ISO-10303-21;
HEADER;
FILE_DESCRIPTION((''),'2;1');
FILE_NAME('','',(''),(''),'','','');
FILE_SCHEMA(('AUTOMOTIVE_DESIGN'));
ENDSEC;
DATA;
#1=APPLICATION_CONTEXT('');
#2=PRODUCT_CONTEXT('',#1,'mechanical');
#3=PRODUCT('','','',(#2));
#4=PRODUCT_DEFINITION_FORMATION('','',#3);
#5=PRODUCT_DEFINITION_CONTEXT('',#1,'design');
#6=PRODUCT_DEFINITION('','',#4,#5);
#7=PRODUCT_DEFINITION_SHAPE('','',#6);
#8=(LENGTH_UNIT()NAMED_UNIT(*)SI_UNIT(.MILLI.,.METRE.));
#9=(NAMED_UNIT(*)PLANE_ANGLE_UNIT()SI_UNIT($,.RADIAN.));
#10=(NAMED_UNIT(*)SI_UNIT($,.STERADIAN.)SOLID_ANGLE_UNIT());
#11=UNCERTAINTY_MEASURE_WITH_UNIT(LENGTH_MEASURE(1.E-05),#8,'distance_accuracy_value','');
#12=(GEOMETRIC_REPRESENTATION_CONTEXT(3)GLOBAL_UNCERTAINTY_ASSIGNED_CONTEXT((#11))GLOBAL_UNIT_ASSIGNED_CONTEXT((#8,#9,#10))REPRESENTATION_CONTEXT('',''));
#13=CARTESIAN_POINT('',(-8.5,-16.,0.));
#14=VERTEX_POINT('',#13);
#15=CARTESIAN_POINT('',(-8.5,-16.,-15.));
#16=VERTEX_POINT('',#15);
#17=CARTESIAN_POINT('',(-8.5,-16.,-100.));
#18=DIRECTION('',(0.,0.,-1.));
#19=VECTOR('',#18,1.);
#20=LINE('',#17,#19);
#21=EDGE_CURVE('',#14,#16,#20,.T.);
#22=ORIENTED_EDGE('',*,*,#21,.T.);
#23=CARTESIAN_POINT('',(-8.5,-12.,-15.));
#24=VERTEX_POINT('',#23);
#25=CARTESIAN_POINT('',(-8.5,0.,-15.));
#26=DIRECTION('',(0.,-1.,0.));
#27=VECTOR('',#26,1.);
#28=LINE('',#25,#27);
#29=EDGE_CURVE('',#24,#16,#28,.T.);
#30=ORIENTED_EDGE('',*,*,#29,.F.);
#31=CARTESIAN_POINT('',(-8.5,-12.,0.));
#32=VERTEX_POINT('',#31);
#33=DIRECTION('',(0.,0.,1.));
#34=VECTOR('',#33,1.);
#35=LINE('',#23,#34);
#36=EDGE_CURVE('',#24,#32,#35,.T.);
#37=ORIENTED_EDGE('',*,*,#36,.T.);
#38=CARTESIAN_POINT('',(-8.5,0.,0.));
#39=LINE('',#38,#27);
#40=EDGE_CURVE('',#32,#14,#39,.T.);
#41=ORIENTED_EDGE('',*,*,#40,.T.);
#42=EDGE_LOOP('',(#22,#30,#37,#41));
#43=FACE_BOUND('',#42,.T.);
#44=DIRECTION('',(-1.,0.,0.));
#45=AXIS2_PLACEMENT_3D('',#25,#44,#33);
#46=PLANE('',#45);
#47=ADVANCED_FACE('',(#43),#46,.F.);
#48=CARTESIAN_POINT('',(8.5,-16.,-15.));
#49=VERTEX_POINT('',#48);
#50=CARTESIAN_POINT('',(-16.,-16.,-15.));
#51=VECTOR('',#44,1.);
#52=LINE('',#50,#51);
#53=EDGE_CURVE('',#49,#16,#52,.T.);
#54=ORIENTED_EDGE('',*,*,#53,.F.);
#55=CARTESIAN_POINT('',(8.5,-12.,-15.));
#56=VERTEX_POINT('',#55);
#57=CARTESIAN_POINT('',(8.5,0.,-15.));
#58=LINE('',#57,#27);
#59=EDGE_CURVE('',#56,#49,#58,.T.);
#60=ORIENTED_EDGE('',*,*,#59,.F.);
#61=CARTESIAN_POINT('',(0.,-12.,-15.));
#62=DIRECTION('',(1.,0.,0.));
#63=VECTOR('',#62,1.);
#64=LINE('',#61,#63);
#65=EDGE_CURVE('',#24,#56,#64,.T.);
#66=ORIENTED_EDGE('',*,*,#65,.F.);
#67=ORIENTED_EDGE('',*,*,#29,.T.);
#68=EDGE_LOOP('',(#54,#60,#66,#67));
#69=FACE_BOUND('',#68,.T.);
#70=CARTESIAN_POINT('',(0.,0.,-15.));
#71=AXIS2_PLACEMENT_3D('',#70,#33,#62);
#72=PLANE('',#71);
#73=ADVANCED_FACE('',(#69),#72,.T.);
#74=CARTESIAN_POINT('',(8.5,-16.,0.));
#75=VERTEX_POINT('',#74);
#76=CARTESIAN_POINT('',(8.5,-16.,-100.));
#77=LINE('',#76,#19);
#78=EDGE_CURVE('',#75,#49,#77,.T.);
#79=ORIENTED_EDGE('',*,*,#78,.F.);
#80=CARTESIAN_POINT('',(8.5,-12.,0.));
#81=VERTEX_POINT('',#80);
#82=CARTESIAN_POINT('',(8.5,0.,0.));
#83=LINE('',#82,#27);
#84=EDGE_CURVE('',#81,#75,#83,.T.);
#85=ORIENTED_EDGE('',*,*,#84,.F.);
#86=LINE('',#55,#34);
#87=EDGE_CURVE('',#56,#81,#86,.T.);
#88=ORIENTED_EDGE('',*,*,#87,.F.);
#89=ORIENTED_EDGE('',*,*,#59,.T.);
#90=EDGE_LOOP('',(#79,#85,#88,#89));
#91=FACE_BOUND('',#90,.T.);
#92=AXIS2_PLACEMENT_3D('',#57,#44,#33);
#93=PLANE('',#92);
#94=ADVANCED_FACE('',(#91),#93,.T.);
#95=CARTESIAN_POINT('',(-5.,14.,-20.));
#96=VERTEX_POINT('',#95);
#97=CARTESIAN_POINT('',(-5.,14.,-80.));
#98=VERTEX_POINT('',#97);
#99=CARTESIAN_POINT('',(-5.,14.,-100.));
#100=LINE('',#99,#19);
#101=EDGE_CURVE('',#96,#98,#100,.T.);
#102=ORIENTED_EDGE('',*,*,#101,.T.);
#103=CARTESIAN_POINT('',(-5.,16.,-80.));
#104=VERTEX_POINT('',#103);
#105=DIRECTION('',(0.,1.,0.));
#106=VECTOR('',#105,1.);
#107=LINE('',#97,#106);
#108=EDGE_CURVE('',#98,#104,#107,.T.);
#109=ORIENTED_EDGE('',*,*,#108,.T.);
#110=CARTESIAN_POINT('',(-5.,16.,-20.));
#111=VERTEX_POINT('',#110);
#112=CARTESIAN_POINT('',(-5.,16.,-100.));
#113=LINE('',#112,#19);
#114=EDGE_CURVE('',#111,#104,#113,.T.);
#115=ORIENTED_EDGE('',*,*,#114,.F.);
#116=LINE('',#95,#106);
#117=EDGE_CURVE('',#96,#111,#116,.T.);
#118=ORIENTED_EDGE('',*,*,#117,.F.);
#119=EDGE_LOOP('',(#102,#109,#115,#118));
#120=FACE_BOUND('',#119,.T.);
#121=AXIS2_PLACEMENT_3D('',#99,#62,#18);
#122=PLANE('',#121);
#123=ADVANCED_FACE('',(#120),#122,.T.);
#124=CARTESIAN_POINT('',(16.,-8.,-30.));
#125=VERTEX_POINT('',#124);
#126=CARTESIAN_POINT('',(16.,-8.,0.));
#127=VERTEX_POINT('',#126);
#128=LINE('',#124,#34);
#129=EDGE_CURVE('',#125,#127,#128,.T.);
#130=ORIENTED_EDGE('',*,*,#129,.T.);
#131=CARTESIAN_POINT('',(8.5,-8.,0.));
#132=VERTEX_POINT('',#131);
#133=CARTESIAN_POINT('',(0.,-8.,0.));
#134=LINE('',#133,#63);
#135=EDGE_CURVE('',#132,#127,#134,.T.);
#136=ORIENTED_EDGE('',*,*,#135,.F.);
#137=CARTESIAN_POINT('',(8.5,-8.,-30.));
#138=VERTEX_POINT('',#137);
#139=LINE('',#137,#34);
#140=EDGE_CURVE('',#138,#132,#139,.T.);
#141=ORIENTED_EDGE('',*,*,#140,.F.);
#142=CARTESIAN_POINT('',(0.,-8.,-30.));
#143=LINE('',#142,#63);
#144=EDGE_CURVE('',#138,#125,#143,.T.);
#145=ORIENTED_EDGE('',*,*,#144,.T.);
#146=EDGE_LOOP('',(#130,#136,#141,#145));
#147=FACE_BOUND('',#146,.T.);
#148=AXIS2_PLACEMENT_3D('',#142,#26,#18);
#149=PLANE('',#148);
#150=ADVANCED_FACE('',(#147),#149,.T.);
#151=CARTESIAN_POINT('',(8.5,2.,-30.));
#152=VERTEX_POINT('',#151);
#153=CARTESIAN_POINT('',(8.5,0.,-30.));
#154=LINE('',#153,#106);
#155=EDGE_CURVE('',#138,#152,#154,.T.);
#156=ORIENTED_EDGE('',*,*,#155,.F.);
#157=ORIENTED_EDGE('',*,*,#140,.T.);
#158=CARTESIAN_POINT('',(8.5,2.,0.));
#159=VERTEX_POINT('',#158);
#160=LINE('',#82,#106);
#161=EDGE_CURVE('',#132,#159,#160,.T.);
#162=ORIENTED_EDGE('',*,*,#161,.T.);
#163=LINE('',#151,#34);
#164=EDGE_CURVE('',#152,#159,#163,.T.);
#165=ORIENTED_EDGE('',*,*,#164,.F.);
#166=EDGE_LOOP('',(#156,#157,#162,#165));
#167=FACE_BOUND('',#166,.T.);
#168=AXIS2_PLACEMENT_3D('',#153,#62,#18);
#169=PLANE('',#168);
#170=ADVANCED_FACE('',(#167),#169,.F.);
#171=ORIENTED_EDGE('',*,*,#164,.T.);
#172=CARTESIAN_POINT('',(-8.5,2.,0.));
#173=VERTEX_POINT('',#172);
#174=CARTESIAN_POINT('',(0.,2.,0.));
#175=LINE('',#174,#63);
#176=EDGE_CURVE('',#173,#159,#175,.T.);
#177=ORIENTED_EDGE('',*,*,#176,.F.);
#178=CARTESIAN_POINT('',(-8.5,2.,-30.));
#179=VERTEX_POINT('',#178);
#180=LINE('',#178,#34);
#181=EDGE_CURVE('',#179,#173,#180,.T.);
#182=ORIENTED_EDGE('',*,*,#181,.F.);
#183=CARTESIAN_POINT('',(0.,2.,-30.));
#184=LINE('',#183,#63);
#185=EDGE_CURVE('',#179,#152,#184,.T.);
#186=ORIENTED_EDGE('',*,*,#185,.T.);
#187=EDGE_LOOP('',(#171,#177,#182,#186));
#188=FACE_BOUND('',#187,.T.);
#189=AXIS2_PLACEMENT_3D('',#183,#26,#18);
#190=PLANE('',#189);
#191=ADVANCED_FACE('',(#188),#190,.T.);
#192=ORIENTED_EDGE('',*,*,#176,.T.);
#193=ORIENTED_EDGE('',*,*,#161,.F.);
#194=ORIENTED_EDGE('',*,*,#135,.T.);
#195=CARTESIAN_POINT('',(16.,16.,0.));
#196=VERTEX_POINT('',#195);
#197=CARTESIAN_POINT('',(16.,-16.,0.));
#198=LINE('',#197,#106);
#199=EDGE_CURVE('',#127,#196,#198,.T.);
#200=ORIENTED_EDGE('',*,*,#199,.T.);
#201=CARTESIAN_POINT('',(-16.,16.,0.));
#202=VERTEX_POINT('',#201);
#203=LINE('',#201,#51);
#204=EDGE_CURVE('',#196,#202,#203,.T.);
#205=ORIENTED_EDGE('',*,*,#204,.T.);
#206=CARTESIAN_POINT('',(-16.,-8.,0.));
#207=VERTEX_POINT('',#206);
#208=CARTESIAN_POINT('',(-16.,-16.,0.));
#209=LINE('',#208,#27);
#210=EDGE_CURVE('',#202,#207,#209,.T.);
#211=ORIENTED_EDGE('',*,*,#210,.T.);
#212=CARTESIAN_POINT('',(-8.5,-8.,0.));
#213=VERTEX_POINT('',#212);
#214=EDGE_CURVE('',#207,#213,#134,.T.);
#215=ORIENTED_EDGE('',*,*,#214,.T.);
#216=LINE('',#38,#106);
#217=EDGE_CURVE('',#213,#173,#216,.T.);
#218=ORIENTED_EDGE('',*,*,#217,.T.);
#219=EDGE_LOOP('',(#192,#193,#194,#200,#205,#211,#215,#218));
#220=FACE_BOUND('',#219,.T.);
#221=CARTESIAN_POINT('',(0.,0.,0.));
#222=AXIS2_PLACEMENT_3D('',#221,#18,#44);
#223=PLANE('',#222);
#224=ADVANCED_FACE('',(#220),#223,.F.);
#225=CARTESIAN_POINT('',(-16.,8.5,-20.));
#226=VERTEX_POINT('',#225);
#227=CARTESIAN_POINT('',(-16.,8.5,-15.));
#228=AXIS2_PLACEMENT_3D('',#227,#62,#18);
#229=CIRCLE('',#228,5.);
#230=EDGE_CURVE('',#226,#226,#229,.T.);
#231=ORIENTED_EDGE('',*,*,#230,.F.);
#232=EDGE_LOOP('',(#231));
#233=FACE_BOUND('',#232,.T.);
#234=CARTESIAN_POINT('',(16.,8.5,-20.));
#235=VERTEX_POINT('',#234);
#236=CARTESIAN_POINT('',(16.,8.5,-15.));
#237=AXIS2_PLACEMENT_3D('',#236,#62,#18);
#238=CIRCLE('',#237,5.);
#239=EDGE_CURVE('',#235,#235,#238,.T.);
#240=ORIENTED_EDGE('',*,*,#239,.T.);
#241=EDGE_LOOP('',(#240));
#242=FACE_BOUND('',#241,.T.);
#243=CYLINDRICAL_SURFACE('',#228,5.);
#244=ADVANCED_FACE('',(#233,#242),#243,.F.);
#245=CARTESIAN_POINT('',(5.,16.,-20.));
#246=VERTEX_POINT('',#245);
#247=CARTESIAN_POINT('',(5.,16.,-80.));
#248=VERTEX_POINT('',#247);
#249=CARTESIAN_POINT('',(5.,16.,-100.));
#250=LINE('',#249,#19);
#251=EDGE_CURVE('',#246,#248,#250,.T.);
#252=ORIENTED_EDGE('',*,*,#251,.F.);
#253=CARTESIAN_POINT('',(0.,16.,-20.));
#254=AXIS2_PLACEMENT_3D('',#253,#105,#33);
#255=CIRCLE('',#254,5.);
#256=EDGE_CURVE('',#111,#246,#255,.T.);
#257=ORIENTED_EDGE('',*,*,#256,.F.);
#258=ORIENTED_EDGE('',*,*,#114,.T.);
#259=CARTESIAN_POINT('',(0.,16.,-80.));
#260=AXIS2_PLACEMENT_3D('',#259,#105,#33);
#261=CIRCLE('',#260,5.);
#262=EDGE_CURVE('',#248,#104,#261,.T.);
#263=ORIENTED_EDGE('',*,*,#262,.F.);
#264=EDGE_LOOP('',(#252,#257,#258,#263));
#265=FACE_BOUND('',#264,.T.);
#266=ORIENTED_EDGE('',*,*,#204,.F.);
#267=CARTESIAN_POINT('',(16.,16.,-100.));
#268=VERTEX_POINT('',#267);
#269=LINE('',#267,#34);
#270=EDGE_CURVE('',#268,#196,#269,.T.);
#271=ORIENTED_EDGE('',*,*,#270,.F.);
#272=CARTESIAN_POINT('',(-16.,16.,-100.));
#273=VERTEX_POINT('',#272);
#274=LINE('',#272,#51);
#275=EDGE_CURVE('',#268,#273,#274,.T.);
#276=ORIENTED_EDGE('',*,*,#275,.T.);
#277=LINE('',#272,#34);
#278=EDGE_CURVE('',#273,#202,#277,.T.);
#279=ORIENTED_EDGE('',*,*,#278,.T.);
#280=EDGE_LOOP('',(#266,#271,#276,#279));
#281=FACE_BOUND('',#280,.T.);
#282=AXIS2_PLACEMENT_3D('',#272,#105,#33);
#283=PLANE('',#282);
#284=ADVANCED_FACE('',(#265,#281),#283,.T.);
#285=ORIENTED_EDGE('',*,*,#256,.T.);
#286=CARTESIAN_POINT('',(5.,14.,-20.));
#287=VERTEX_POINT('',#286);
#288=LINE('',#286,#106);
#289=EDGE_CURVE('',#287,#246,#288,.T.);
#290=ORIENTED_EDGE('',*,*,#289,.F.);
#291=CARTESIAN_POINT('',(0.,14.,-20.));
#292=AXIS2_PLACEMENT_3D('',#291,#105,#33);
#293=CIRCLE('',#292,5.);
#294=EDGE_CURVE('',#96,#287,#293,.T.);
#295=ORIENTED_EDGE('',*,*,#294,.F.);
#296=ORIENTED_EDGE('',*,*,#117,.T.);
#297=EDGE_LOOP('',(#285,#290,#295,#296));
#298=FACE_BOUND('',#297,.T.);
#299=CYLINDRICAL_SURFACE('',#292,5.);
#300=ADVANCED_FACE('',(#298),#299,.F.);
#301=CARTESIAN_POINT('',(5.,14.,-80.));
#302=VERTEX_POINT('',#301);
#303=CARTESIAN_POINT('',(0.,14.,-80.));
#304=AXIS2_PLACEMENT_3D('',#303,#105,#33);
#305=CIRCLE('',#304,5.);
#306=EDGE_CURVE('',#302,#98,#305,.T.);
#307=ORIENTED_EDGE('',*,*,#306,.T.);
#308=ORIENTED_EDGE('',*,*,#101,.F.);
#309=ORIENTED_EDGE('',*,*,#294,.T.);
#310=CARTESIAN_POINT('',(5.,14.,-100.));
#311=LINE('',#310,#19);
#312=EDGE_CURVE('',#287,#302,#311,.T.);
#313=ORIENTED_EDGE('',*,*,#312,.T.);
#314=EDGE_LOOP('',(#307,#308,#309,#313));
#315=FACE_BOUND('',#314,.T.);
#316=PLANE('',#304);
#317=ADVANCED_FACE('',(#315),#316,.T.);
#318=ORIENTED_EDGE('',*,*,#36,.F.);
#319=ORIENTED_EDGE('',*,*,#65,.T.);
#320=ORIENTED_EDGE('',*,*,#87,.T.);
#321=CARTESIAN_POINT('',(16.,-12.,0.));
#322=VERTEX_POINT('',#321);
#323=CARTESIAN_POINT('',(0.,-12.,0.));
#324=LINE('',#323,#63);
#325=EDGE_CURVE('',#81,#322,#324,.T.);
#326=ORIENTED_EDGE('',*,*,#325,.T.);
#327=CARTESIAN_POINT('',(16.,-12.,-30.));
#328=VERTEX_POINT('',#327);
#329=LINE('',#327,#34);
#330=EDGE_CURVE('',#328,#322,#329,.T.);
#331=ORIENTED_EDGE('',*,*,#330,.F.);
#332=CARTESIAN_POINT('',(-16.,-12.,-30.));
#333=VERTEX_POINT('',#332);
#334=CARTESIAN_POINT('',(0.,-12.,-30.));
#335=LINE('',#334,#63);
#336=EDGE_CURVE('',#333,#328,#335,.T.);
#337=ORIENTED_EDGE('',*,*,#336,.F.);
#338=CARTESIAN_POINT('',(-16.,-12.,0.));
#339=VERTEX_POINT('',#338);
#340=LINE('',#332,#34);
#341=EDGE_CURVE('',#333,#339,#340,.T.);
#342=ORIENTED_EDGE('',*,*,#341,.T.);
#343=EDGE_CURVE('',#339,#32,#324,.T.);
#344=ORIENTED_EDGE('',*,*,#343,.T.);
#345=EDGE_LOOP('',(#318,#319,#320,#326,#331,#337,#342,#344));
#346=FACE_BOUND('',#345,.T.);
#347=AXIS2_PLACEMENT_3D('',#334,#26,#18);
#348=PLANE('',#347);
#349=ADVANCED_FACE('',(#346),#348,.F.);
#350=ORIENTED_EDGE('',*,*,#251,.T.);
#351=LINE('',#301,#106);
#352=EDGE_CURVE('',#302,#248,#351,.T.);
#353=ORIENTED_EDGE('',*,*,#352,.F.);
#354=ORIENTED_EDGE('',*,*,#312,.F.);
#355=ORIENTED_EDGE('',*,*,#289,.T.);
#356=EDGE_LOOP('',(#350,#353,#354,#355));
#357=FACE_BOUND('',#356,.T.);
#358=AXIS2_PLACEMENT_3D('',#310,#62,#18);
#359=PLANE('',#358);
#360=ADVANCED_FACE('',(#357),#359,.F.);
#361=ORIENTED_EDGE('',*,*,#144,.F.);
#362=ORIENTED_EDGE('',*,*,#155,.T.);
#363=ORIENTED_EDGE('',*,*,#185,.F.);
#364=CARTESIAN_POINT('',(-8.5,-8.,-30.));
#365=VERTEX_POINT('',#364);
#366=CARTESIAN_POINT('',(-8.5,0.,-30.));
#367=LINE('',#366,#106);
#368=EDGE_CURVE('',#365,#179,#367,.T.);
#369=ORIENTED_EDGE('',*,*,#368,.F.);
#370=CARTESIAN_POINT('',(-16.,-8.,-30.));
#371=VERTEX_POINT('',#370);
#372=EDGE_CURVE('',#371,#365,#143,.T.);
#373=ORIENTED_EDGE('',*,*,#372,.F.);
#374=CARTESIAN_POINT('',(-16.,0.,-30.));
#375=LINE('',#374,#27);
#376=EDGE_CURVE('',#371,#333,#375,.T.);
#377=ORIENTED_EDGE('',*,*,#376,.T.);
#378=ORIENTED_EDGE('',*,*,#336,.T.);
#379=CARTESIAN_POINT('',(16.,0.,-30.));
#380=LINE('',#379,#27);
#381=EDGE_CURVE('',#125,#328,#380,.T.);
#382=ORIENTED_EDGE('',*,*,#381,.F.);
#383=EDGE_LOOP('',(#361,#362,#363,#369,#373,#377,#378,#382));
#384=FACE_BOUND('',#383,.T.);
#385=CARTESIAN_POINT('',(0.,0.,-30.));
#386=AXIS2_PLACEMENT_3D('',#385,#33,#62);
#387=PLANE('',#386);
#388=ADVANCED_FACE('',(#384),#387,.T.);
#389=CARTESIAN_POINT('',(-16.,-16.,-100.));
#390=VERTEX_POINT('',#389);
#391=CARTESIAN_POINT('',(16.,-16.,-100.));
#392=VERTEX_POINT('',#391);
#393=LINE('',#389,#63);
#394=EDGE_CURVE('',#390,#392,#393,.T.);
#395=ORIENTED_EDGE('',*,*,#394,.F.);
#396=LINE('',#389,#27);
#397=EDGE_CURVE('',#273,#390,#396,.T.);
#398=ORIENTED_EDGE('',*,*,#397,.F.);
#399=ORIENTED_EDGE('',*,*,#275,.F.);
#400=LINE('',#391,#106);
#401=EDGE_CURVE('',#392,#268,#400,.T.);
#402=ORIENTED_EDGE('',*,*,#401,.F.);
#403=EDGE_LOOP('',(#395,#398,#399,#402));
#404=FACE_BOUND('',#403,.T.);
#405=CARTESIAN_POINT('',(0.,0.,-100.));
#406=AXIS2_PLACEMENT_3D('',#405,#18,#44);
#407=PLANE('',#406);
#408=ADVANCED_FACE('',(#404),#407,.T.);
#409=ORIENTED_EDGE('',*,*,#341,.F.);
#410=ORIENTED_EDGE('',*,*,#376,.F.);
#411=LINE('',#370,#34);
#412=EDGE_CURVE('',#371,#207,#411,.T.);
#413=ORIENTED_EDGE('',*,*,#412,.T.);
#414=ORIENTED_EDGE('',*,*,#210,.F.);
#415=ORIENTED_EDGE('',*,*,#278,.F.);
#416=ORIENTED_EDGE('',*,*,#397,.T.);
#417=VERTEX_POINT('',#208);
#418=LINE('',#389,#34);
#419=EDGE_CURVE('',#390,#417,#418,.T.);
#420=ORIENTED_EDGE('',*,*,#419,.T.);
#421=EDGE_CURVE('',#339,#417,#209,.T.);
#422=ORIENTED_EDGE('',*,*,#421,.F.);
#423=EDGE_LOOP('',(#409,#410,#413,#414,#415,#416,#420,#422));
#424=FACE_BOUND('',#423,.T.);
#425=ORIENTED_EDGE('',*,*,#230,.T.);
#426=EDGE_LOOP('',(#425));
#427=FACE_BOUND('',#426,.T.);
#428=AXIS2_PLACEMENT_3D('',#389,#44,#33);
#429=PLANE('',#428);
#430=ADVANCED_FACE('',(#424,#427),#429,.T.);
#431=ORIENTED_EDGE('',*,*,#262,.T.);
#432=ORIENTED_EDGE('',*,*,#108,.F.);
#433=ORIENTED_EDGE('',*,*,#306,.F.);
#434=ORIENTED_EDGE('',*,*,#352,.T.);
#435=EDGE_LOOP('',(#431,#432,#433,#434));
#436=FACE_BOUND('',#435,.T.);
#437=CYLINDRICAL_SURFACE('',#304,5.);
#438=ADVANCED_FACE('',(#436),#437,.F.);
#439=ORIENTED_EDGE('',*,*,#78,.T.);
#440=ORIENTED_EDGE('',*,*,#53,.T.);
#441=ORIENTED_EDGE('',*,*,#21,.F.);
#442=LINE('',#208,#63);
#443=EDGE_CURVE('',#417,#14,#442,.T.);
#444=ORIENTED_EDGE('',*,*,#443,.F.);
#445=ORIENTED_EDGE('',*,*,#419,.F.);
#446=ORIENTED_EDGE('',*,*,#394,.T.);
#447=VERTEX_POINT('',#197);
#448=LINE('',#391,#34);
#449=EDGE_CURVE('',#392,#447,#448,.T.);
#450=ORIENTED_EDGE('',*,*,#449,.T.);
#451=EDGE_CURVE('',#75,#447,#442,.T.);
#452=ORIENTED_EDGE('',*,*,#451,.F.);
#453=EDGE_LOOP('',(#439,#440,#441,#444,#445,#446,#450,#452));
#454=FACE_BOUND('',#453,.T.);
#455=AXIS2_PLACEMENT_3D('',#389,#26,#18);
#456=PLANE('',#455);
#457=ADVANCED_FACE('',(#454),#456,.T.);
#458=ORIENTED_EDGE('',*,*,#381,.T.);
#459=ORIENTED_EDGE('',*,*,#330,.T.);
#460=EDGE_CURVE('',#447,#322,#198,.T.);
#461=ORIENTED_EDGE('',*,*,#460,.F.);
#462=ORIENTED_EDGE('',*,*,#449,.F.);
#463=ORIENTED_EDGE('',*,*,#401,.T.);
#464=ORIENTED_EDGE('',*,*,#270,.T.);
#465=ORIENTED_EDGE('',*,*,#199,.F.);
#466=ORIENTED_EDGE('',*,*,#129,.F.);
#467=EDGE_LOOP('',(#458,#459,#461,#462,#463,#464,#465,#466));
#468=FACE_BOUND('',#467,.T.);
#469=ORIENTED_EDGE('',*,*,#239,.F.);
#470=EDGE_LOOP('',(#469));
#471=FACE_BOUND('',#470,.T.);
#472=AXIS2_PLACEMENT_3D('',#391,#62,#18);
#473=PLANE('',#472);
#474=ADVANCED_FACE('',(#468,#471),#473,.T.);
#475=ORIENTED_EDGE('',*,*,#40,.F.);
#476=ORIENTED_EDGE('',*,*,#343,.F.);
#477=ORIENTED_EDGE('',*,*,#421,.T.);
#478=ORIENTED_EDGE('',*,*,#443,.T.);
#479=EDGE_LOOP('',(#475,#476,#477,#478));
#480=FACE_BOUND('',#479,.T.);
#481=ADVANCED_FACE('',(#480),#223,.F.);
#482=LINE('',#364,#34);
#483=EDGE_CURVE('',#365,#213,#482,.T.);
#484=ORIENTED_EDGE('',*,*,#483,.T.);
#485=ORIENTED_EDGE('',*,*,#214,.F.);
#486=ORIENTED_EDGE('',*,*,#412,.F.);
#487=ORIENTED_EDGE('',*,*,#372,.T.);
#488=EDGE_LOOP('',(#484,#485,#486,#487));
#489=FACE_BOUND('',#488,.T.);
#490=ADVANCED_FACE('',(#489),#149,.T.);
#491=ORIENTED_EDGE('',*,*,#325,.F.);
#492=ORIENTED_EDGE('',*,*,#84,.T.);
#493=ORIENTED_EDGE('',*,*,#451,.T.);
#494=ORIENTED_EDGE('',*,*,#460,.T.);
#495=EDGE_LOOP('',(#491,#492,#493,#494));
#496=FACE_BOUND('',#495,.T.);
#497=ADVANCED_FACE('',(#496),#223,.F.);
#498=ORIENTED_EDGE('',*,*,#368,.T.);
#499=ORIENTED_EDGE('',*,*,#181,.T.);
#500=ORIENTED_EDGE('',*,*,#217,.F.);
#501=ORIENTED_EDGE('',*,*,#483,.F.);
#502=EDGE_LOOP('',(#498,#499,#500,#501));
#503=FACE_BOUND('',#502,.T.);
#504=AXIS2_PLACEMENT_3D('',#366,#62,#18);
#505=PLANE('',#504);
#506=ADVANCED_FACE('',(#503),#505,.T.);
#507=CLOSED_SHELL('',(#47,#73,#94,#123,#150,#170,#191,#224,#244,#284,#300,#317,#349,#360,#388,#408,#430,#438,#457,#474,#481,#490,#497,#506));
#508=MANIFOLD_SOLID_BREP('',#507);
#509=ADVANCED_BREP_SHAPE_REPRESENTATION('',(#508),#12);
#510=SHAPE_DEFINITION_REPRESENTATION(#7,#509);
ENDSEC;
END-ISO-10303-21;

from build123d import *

# Parameters (mm, degrees)
SKETCH1_W               = 32
SKETCH1_H               = 32
BOSS_EXTRUDE1_DEPTH     = 100
CUT_EXTRUDE1_START      = 16
SKETCH2_R               = 5
CUT_EXTRUDE1_DEPTH      = 2
SKETCH3_W               = 17
SKETCH3_H               = 10
CUT_EXTRUDE2_DEPTH      = 30
SKETCH3_4_W             = 8.5
SKETCH3_4_H             = 10.001446171
CUT_EXTRUDE4_DEPTH      = 15
CUT_EXTRUDE3_DEPTH      = 103.528044944
CUT_EXTRUDE3_DEPTH_BACK = 103.528044944
SKETCH4_R               = 5


with BuildPart() as part:
    # Sketch1 → Boss-Extrude1 (new body)
    with BuildSketch(Plane.XY):
        Rectangle(SKETCH1_W, SKETCH1_H)
    extrude(amount=-BOSS_EXTRUDE1_DEPTH)

    # Sketch2 → Cut-Extrude1 (cut)
    with BuildSketch(Plane(origin=(0, 0, 0), x_dir=(1, 0, 0), z_dir=(0, 1, 0)).offset(CUT_EXTRUDE1_START)):
        with BuildLine():
            Line((5, 20), (5, 80))
            ThreePointArc((5, 80), (0, 75), (-5, 80))
            Line((-5, 80), (-5, 20))
            ThreePointArc((-5, 20), (0, 25), (5, 20))
        make_face()
        with Locations((0, 80)):
            Circle(SKETCH2_R)
        with Locations((0, 20)):
            Circle(SKETCH2_R)
    extrude(amount=-CUT_EXTRUDE1_DEPTH, mode=Mode.SUBTRACT)

    # Sketch3 → Cut-Extrude2 (cut)
    with BuildSketch(Plane.XY):
        with Locations((0, -3)):
            Rectangle(SKETCH3_W, SKETCH3_H)
        Polygon((-8.5, -8), (-16, -8), (-16, -12), (-8.5, -12), (8.5, -12), (16, -12), (16, -8), (8.5, -8), align=None)
    extrude(amount=-CUT_EXTRUDE2_DEPTH, mode=Mode.SUBTRACT)

    # Sketch3<4> → Cut-Extrude4 (cut)
    with BuildSketch(Plane.XY):
        with Locations((4.25, -17.000723085)):
            Rectangle(SKETCH3_4_W, SKETCH3_4_H)
        with Locations((-4.25, -17.000723085)):
            Rectangle(SKETCH3_4_W, SKETCH3_4_H)
    extrude(amount=-CUT_EXTRUDE4_DEPTH, mode=Mode.SUBTRACT)

    # Sketch4 → Cut-Extrude3 (cut, two sides: drawn at the far end of the back side and taken through both)
    with BuildSketch(Plane(origin=(0, 0, 0), x_dir=(0, 0, -1), z_dir=(1, 0, 0)).offset(-CUT_EXTRUDE3_DEPTH_BACK)):
        with Locations((15, 8.5)):
            Circle(SKETCH4_R)
    extrude(amount=CUT_EXTRUDE3_DEPTH + CUT_EXTRUDE3_DEPTH_BACK, mode=Mode.SUBTRACT)


solid = part.part
